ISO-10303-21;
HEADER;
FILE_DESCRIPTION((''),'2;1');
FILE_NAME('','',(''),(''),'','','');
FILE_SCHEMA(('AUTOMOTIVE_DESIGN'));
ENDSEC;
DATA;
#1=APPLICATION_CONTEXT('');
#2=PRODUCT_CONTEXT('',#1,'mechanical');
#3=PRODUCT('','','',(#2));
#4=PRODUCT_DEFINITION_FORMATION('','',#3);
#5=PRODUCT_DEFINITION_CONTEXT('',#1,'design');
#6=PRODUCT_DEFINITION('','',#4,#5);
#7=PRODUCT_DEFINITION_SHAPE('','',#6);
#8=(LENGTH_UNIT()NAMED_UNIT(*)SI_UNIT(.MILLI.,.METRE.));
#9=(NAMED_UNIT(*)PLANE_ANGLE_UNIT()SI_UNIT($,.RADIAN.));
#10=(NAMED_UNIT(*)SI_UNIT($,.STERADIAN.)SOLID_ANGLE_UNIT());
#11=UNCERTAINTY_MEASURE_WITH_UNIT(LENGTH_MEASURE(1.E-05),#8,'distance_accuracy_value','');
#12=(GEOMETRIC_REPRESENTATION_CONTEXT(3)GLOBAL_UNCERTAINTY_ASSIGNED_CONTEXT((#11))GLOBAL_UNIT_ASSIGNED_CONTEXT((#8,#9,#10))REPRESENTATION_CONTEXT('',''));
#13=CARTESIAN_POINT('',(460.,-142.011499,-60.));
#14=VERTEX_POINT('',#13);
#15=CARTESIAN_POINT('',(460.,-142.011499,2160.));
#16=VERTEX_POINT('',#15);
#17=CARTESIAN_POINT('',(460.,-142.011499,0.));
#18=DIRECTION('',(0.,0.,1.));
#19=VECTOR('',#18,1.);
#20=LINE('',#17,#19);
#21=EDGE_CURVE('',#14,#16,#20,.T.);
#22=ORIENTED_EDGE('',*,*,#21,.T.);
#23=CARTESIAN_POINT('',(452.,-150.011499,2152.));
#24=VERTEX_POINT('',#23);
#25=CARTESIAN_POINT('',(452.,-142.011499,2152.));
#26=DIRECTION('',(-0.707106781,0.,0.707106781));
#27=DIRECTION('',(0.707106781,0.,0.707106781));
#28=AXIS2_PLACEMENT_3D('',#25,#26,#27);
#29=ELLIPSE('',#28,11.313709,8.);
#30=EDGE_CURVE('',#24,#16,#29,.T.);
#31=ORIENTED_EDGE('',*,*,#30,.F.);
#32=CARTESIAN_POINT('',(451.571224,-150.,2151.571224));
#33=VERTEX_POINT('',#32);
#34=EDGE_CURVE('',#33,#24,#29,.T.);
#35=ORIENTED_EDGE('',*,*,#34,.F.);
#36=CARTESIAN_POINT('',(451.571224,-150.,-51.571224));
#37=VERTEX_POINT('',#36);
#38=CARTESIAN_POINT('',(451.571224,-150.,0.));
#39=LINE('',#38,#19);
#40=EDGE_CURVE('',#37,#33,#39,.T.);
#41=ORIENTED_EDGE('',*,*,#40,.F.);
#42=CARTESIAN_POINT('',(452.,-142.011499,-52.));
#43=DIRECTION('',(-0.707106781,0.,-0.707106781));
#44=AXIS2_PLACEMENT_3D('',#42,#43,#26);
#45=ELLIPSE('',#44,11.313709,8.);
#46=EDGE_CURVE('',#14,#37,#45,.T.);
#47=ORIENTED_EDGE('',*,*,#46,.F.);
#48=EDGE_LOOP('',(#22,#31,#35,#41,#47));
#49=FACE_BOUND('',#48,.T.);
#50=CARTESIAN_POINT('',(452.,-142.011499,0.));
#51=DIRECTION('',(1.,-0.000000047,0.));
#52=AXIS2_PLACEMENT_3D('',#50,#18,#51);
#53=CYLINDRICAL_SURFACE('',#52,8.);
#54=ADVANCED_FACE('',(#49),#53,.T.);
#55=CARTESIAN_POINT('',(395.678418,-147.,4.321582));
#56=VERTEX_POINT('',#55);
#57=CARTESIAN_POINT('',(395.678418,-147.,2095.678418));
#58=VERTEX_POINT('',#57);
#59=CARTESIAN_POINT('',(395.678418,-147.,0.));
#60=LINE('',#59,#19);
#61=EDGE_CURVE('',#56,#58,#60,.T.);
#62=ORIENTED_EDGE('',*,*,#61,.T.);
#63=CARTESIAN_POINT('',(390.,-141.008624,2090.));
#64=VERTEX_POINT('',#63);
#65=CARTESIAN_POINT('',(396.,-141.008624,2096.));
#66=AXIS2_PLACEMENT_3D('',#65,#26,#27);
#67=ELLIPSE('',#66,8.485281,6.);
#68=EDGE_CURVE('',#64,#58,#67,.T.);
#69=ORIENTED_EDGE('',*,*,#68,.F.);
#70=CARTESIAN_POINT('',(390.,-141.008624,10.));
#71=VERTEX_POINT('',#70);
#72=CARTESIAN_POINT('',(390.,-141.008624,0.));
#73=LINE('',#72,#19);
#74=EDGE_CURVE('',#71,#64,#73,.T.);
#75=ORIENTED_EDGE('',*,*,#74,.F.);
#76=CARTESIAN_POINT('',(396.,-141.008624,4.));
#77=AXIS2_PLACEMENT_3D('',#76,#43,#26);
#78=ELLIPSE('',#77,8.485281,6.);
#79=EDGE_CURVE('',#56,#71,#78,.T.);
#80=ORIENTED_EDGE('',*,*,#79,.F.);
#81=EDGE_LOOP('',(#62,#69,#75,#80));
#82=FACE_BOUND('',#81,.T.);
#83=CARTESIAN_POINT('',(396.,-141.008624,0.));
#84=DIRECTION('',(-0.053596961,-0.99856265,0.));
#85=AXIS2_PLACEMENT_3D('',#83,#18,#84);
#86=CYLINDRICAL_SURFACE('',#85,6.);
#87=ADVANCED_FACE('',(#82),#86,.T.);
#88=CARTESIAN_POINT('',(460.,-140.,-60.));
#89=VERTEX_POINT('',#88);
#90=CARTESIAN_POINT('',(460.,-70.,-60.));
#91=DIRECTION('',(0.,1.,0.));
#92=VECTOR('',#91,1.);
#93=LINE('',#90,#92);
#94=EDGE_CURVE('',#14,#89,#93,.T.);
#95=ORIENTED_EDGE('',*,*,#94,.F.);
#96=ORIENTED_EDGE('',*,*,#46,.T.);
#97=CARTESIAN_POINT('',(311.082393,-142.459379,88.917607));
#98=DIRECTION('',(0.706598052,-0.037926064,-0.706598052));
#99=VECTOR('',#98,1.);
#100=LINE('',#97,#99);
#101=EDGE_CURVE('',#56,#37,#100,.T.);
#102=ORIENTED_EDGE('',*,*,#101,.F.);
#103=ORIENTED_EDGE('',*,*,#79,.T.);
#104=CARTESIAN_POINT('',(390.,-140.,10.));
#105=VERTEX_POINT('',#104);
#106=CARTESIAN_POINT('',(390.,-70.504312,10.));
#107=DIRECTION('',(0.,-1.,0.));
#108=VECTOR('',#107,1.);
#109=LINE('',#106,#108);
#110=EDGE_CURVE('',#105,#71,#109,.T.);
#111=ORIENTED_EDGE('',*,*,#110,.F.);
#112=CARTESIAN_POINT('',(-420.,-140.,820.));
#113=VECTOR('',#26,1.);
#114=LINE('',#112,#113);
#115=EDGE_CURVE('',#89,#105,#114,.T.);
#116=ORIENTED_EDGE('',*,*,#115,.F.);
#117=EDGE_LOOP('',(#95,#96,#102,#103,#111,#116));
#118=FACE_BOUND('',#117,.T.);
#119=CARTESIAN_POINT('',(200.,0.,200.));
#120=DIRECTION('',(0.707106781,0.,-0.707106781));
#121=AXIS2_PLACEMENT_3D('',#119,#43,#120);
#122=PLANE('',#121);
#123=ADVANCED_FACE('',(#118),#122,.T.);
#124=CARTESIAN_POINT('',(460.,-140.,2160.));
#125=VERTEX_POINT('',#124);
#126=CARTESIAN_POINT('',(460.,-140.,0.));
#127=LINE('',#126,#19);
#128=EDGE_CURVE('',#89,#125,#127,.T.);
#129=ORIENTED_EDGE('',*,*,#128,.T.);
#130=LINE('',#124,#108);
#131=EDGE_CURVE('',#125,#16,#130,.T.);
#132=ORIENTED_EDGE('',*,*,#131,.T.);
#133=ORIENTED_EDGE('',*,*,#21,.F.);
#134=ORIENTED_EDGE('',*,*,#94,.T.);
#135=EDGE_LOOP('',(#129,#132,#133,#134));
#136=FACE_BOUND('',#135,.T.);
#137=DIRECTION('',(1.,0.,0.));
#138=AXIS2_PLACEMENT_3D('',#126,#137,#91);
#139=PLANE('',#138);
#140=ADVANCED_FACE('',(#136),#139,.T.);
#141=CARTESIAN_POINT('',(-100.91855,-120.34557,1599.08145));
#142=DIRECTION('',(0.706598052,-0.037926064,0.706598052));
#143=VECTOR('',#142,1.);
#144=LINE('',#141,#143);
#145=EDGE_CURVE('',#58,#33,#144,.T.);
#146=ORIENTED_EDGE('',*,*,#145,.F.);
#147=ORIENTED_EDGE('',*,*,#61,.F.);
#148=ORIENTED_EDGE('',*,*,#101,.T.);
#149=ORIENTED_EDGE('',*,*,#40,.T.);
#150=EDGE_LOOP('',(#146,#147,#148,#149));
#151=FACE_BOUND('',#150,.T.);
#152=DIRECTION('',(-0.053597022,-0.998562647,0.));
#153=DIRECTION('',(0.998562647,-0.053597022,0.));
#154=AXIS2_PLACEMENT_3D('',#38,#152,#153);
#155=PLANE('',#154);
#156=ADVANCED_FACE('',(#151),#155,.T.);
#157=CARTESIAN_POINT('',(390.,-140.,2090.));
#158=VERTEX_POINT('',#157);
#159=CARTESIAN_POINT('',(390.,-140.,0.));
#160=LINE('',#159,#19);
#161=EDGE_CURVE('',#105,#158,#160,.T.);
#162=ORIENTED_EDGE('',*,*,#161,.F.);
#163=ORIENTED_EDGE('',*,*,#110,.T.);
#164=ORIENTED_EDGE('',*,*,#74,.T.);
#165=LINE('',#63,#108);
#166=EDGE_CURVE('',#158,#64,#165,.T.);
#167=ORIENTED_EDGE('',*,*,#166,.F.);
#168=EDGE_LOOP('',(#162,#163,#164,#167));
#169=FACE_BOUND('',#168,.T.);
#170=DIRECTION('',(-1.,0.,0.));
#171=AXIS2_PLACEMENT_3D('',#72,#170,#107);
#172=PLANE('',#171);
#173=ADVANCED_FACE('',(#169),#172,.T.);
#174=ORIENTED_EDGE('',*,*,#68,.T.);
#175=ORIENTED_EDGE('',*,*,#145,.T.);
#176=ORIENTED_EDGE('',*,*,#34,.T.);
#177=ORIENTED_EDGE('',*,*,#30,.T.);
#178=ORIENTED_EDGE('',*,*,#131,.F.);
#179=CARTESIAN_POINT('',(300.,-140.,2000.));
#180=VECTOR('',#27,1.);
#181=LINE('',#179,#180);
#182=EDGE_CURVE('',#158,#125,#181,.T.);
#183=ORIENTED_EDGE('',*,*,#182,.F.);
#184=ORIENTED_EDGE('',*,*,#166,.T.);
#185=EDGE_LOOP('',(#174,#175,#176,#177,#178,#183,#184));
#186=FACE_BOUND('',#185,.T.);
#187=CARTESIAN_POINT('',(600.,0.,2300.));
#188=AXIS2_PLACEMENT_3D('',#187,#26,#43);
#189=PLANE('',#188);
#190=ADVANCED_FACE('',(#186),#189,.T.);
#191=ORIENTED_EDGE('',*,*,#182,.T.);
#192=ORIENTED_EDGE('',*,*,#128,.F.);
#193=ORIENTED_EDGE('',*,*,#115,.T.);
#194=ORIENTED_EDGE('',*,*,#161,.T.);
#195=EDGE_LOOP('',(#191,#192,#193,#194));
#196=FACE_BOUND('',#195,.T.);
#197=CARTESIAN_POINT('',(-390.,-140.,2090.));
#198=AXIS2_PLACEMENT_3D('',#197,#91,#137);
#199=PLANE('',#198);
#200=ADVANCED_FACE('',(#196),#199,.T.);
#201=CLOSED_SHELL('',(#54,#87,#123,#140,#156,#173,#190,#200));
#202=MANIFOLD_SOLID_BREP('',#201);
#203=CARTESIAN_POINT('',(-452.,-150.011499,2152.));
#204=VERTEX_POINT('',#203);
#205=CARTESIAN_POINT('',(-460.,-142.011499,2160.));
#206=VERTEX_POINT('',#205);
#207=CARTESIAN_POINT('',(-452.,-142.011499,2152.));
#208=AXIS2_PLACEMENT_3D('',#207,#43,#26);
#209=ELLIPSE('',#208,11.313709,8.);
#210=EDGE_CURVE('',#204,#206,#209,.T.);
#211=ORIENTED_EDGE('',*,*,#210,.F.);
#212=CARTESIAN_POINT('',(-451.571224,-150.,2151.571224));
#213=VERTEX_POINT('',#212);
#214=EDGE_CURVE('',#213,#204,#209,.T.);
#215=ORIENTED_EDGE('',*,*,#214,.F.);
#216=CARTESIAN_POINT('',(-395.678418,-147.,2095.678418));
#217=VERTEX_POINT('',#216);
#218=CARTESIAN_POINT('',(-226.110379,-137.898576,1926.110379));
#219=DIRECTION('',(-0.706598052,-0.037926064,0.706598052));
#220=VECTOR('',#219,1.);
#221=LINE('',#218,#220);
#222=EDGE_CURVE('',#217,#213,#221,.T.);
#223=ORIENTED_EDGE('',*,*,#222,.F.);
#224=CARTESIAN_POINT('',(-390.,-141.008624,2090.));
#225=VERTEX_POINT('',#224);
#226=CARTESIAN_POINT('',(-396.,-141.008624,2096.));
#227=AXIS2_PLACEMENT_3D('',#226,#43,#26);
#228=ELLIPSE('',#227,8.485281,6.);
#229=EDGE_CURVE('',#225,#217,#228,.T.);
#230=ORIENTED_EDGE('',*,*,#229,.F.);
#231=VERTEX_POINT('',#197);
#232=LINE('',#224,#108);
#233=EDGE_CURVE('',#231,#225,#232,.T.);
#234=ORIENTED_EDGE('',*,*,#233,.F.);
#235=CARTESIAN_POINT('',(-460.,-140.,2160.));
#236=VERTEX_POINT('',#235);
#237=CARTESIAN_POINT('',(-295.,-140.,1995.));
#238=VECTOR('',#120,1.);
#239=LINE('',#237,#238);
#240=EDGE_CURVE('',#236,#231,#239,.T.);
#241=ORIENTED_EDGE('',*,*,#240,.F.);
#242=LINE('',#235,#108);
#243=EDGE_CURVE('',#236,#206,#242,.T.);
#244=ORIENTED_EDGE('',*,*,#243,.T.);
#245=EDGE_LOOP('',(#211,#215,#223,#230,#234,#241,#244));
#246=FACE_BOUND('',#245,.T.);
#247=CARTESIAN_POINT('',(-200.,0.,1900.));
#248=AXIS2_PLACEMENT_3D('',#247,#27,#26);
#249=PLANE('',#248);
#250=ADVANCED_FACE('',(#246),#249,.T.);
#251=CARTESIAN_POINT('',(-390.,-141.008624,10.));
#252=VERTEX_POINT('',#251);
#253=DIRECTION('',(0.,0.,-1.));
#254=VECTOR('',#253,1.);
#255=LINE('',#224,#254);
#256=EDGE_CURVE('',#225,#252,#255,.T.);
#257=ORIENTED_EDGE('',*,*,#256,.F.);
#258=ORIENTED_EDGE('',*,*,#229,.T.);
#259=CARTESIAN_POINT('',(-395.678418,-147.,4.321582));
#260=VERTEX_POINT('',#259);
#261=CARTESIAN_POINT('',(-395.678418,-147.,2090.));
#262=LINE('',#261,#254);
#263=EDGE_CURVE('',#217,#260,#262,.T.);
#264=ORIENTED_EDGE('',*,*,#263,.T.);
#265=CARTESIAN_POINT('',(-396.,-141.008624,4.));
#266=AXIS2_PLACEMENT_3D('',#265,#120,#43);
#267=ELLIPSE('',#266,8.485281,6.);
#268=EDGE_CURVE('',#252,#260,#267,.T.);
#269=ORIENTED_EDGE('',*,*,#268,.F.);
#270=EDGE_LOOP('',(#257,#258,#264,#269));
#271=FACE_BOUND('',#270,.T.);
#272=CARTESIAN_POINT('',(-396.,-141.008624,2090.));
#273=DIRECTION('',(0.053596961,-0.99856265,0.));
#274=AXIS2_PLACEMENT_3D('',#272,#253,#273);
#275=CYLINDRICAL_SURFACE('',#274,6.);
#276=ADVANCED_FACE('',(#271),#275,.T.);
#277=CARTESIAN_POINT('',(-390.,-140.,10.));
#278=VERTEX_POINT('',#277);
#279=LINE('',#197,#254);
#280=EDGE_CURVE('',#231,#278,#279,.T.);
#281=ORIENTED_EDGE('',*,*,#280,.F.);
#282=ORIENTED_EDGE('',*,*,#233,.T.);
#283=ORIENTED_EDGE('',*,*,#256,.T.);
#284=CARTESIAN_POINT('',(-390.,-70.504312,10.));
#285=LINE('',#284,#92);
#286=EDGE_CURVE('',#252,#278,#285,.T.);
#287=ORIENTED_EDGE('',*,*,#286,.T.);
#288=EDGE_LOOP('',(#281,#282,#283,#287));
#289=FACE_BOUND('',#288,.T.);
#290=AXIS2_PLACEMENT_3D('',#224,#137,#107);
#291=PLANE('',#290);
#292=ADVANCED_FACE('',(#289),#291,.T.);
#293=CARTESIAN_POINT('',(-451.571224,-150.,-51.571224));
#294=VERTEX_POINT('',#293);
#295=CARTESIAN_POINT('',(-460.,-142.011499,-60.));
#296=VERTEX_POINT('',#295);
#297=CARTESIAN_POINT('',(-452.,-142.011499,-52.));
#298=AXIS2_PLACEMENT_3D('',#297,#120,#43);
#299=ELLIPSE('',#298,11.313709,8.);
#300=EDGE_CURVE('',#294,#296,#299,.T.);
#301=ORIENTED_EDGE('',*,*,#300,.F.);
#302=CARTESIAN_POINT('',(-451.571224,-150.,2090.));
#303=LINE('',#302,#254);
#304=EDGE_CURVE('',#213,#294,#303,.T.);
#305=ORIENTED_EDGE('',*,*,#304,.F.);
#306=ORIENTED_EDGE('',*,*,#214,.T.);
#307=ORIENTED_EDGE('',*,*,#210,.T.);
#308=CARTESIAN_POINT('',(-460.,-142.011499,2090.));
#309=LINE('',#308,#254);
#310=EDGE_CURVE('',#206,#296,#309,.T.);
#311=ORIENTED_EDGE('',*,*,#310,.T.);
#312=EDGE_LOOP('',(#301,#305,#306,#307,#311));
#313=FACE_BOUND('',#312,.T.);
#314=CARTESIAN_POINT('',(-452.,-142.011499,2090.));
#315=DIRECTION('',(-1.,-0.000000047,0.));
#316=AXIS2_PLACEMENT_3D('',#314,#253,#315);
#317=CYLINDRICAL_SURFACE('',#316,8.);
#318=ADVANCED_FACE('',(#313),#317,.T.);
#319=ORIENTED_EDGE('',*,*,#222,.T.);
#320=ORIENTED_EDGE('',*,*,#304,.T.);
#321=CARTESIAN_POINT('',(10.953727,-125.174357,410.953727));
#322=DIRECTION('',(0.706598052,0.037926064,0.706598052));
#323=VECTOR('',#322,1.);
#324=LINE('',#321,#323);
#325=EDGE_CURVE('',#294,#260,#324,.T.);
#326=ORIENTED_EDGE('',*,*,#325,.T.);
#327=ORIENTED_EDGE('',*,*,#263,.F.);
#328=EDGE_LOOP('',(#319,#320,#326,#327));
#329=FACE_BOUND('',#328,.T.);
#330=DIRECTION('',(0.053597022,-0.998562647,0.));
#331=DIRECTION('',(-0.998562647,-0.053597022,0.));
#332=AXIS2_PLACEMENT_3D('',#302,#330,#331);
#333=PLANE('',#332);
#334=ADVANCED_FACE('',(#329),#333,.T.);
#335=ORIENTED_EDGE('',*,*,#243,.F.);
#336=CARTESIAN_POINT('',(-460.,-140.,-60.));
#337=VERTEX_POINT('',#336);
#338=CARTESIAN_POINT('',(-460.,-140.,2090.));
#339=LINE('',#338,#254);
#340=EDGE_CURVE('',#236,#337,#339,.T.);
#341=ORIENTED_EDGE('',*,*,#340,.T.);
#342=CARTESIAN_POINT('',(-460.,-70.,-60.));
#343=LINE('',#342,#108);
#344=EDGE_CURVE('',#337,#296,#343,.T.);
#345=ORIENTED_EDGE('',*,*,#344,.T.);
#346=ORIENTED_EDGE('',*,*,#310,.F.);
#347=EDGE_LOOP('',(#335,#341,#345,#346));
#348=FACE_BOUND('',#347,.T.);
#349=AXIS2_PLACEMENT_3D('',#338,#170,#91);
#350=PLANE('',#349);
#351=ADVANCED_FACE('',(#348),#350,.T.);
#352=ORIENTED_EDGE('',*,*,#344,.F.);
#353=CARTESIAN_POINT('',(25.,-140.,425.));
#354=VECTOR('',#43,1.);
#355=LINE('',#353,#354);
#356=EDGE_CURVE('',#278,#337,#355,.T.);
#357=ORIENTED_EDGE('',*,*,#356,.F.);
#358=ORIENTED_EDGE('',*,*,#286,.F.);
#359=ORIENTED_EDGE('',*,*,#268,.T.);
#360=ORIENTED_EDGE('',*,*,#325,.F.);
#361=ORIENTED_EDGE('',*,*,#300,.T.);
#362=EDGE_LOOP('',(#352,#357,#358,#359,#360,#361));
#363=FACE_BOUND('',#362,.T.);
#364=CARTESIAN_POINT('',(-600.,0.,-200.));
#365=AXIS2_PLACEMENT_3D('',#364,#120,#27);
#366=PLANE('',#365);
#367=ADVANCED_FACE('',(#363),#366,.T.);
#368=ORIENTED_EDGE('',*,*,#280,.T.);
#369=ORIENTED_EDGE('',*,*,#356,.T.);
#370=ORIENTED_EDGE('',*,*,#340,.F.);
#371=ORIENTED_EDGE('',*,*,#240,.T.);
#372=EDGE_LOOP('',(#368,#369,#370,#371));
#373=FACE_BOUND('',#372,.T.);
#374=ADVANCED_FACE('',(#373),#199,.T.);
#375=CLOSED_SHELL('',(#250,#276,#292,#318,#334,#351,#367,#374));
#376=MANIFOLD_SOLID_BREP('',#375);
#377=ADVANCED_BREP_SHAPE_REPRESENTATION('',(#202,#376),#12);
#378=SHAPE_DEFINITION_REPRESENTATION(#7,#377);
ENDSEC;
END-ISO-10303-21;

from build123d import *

# Parameters (mm, degrees)
EXTRUDE039436_DEPTH = 500
EXTRUDE039434_DEPTH = 500


with BuildPart() as extrude039436_internal_inferior:
    # Sketch225 (on Sketch) → Extrude039436 (new body, symmetric)
    with BuildSketch(Plane.XZ):
        Polygon((-200, 200), (200, 200), (600, -200), (-600, -200), align=None)
    extrude(amount=EXTRUDE039436_DEPTH, both=True)


with BuildPart() as compound051:
    # Sketch223 (on Sketch) → Extrude039434 (new body, symmetric)
    with BuildSketch(Plane.XZ):
        Polygon((-600, 2300), (600, 2300), (200, 1900), (-200, 1900), align=None)
    extrude(amount=EXTRUDE039434_DEPTH, both=True)

    # Compound051: union Extrude039436_internal_inferior_
    add(extrude039436_internal_inferior.part)


with BuildPart() as trim_window_external_vertical:
    # Sweep011: sweep along a path in Sketch194
    with BuildLine(Plane.XZ.offset(140)) as sweep011_path:
        Line((-390, 2090), (-390, 0))
        Line((-390, 0), (390, 0))
        Line((390, 0), (390, 2090))
        Line((390, 2090), (-390, 2090))
    # Clone2D027 (on Sketch) → Sweep011 (sweep)
    with BuildSketch(Plane(origin=(0, -140, 0), x_dir=(0, 0, 1), z_dir=(1, 0, 0))):
        with BuildLine():
            Line((-61.571224, 10), (-5.678418, 7))
            ThreePointArc((-5.678418, 7), (-1.645147, 5.136003), (0, 1.008624))
            Line((0, 1.008624), (0, 0))
            Line((0, 0), (-70, 0))
            Line((-70, 0), (-70, 2.011499))
            ThreePointArc((-70, 2.011499), (-67.503171, 7.81797), (-61.571224, 10))
        make_face()
    sweep(path=sweep011_path.line, is_frenet=True, transition=Transition.RIGHT)

    # Cut076: cut Compound051_
    add(compound051.part, mode=Mode.SUBTRACT)


solid = trim_window_external_vertical.part
